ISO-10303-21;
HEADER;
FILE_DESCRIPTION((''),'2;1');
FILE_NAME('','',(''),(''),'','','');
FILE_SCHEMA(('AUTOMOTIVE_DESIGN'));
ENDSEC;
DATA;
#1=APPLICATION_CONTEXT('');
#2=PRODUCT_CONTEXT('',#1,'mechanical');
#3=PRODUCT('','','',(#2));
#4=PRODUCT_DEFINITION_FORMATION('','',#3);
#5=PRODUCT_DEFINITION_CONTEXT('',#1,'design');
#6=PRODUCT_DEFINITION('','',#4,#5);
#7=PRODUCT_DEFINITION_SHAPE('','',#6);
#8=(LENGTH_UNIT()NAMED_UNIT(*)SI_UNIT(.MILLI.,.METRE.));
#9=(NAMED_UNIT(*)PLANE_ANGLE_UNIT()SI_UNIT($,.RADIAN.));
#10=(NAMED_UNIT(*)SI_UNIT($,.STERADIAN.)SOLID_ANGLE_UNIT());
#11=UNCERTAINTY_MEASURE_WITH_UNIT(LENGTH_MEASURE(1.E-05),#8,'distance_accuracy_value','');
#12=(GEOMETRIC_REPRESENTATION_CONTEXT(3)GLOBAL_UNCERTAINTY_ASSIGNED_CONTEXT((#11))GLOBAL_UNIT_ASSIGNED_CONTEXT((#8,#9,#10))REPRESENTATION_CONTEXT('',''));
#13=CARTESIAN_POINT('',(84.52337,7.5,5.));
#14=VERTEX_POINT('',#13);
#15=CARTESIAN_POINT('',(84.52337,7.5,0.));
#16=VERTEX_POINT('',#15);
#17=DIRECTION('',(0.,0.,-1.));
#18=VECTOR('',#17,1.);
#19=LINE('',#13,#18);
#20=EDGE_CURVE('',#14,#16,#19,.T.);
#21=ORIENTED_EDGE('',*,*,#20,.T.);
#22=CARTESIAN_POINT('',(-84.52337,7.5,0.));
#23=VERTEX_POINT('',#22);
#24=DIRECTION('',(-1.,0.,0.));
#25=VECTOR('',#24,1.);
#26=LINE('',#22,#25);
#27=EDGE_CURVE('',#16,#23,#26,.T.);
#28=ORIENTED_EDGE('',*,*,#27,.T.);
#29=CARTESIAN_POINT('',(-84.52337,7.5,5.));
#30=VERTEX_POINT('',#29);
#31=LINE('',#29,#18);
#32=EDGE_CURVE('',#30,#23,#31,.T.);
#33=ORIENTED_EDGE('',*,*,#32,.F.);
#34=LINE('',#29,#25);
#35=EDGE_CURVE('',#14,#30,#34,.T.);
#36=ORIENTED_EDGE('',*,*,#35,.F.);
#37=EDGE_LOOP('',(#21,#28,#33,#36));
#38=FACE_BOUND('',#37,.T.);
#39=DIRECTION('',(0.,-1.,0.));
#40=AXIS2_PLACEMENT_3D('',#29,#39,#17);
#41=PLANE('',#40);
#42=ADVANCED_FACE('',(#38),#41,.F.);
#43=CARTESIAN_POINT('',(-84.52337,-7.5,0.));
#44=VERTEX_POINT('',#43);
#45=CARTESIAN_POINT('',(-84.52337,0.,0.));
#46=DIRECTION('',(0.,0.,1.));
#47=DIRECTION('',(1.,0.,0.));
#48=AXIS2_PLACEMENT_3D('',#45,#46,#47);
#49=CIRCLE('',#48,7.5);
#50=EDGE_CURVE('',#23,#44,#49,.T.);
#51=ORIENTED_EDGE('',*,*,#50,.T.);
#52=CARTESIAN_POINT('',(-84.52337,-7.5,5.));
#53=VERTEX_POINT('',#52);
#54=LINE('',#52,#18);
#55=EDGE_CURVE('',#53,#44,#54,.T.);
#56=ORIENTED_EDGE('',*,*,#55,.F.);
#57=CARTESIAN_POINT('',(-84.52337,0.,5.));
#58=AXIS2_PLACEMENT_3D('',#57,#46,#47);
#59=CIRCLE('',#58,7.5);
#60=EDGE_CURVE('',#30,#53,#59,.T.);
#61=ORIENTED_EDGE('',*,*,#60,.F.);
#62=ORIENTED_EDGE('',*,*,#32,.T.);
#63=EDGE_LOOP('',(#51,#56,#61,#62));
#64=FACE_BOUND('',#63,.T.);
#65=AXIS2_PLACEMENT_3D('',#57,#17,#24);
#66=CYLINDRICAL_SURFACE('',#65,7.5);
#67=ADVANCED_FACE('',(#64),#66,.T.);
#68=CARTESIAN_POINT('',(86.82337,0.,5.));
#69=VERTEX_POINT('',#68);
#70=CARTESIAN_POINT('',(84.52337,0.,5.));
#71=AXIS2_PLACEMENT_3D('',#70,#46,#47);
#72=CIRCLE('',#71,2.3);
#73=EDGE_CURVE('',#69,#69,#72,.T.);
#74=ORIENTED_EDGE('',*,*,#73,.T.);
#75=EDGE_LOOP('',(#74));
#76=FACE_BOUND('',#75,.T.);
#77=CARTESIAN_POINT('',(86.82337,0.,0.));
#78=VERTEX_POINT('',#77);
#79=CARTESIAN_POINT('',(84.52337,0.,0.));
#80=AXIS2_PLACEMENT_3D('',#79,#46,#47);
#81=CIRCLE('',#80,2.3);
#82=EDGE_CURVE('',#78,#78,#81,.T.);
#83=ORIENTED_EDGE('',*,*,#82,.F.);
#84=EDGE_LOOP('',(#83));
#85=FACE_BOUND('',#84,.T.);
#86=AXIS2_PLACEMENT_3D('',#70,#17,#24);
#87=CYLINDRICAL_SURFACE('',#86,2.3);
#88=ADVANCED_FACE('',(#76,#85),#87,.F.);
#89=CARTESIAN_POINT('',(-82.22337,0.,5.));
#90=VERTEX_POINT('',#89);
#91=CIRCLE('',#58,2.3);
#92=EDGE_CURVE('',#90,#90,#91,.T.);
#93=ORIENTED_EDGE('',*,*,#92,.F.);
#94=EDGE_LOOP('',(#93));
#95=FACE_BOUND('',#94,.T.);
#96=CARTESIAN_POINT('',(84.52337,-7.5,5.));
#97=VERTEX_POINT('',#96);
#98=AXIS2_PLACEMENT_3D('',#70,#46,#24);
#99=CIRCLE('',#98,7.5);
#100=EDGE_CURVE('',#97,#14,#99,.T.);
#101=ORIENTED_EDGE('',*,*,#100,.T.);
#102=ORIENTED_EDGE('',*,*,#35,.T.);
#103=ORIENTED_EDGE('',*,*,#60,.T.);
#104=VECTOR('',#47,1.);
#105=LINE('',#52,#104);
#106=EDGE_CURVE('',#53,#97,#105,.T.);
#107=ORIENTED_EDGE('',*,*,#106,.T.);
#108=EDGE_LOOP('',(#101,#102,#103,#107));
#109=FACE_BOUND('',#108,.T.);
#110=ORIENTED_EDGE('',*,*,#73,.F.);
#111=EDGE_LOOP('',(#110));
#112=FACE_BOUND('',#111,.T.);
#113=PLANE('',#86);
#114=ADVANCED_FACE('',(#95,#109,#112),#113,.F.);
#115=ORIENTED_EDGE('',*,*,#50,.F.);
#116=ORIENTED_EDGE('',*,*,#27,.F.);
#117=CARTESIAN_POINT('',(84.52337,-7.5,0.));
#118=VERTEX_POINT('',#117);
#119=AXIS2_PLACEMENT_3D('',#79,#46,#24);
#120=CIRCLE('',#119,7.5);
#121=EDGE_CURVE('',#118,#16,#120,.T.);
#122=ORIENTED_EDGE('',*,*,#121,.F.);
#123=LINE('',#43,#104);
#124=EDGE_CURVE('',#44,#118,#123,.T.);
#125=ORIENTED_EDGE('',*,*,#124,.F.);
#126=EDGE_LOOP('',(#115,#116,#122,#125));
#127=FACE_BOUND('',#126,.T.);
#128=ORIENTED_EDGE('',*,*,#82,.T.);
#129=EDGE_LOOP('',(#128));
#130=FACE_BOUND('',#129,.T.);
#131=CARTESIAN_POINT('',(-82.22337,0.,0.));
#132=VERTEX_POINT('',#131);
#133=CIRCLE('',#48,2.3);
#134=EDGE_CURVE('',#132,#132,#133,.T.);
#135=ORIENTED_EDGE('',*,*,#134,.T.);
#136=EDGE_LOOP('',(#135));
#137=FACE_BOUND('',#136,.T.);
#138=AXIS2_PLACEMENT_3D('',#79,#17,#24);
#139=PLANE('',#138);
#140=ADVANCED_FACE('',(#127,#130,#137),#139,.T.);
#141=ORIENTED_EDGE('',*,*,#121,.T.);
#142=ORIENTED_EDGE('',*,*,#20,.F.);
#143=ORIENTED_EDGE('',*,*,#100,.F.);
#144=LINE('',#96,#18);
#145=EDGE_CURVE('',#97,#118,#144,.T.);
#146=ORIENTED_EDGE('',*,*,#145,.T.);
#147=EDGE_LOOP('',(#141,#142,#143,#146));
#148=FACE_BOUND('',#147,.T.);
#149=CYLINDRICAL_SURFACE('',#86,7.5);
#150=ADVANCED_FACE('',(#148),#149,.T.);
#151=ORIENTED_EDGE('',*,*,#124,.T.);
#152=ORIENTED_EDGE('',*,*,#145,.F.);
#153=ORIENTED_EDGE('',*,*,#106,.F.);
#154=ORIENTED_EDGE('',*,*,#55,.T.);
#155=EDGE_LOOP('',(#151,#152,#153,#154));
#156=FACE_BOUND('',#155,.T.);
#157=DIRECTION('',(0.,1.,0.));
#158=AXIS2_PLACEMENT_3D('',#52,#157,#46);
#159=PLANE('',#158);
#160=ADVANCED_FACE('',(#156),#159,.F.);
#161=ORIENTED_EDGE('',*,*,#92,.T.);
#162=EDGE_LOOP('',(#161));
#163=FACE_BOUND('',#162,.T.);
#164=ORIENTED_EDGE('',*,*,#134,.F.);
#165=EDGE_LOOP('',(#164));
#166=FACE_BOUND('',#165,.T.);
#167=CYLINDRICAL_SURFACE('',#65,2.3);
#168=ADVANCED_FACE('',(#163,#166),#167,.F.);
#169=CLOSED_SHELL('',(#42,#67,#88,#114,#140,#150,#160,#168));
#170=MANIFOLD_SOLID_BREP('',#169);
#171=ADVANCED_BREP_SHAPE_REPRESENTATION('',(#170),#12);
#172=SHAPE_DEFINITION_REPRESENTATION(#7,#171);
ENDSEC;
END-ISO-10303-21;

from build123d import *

# Parameters (mm, degrees)
SKETCH_1_R      = 2.3
EXTRUDE_1_DEPTH = 5


with BuildPart() as part:
    # 草图1 → 凸台-拉伸1 (new body)
    with BuildSketch(Plane.XY):
        with BuildLine():
            Line((-84.523369549, 7.5), (84.523369549, 7.5))
            ThreePointArc((84.523369549, 7.5), (92.023369549, 0), (84.523369549, -7.5))
            Line((84.523369549, -7.5), (-84.523369549, -7.5))
            ThreePointArc((-84.523369549, -7.5), (-92.023369549, 0), (-84.523369549, 7.5))
        make_face()
        with Locations((-84.523369549, 0)):
            Circle(SKETCH_1_R, mode=Mode.SUBTRACT)
        with Locations((84.523369549, 0)):
            Circle(SKETCH_1_R, mode=Mode.SUBTRACT)
    extrude(amount=EXTRUDE_1_DEPTH)


solid = part.part
